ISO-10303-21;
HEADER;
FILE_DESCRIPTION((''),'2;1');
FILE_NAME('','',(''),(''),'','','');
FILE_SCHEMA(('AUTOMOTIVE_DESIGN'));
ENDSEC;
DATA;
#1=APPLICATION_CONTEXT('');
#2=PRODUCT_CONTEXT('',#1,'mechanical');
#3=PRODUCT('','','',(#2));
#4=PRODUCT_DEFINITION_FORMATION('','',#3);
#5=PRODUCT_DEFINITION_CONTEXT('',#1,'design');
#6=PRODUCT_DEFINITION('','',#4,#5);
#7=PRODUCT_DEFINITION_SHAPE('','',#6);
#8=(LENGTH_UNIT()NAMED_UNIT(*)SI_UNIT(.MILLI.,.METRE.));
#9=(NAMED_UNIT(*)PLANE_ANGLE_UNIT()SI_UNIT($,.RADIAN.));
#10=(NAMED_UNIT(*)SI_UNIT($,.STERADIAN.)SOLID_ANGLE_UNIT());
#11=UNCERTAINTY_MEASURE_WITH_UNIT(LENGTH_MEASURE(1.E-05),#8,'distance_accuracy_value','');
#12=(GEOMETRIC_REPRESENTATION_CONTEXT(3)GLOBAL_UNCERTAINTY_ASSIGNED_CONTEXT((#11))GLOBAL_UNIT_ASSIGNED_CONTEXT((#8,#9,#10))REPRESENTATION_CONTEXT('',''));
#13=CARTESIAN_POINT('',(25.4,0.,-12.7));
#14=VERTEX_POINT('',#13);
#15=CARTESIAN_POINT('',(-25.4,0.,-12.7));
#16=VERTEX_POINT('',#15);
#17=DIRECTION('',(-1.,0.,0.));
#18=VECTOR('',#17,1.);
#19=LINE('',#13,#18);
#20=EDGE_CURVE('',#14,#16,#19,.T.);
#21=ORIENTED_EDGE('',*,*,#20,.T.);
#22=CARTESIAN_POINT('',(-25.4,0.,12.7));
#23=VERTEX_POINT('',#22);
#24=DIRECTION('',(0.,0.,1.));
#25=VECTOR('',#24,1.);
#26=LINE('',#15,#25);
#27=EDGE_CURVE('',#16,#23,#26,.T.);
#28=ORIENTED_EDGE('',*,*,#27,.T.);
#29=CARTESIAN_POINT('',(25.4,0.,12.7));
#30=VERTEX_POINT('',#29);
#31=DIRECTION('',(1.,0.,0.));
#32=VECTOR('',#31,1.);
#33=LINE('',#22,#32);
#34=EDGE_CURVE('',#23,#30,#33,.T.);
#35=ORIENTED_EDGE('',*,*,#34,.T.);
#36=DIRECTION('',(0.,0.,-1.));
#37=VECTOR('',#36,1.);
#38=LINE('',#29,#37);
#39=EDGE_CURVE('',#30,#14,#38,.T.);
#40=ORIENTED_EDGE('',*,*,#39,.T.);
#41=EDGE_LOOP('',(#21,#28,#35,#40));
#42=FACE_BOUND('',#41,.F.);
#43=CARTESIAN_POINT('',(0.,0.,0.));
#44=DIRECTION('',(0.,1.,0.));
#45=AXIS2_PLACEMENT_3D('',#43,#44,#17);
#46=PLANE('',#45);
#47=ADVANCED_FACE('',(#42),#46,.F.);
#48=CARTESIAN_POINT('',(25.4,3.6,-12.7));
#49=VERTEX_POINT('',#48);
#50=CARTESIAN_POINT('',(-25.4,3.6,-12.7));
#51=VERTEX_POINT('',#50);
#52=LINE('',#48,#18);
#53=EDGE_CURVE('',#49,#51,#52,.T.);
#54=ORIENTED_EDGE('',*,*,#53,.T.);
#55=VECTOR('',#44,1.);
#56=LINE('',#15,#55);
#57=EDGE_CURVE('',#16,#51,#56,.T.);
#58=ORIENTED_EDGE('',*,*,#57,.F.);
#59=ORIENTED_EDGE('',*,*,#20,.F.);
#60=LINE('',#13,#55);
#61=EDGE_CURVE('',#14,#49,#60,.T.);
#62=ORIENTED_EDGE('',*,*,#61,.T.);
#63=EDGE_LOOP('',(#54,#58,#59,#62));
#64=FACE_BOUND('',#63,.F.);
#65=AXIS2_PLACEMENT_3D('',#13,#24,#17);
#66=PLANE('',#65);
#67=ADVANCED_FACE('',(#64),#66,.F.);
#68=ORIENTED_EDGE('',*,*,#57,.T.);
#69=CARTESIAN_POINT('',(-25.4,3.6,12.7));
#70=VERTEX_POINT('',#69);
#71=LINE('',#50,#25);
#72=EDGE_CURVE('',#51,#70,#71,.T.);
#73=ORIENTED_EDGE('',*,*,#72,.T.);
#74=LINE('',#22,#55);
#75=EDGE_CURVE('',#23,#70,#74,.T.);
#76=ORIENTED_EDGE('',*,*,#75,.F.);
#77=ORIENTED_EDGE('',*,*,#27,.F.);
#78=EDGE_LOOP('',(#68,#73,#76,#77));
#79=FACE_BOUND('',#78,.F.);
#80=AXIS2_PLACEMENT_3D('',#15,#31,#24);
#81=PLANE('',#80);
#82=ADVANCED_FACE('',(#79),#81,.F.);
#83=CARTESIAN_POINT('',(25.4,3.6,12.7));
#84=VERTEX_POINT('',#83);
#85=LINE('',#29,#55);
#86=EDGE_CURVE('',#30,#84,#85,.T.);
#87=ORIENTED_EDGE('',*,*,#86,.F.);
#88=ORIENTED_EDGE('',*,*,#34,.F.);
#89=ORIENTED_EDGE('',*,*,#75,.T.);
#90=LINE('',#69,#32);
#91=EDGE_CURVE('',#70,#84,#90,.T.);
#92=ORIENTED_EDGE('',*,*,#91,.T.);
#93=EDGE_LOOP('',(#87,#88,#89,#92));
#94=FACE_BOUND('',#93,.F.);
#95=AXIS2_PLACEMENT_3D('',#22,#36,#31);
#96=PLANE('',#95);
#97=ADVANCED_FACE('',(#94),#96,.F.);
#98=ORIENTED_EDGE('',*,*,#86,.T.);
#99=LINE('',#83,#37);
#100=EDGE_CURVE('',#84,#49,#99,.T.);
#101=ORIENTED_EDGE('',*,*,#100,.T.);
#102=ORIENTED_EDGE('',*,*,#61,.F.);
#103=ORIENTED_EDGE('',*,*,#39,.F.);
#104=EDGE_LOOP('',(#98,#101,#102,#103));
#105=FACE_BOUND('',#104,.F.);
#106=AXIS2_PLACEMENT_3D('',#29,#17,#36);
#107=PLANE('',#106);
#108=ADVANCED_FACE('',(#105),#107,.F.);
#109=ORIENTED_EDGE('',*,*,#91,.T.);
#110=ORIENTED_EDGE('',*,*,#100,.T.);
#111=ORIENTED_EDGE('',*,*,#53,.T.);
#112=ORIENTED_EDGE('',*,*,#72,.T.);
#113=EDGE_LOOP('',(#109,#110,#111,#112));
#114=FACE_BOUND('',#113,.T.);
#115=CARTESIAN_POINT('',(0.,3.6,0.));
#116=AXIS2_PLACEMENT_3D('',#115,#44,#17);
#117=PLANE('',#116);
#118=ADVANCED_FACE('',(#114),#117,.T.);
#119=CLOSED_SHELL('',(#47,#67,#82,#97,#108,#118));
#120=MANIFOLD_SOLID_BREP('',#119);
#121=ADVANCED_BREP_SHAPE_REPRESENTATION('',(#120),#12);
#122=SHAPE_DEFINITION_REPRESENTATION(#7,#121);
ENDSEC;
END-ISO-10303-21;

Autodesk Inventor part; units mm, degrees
ref_plane "YZ Plane" through (0, 0, 0) normal (1, 0, 0) x (0, 1, 0)
ref_plane "XZ Plane" through (0, 0, 0) normal (0, 1, 0) x (-1, 0, 0)
ref_plane "XY Plane" through (0, 0, 0) normal (0, 0, 1) x (1, 0, 0)
sketch "Sketch1" plane through (0, 0, 0) normal (0, 1, 0) x (-1, 0, 0)
  line L0 (-25.4, -12.7) -> (25.4, -12.7)
  line L1 (25.4, -12.7) -> (25.4, 12.7)
  line L2 (25.4, 12.7) -> (-25.4, 12.7)
  line L3 (-25.4, 12.7) -> (-25.4, -12.7)
  line L4 (-25.4, -12.7) -> (25.4, 12.7) construction
  line L5 (25.4, -12.7) -> (-25.4, 12.7) construction
  point P0 (0, 0)
  dimension "d0" = 25.4
  dimension "d1" = 50.8
extrude "Extrusion1" add sketch "Sketch1" along normal blind 3.6
properties part number "Chassis_Spacer_ForPrint"
